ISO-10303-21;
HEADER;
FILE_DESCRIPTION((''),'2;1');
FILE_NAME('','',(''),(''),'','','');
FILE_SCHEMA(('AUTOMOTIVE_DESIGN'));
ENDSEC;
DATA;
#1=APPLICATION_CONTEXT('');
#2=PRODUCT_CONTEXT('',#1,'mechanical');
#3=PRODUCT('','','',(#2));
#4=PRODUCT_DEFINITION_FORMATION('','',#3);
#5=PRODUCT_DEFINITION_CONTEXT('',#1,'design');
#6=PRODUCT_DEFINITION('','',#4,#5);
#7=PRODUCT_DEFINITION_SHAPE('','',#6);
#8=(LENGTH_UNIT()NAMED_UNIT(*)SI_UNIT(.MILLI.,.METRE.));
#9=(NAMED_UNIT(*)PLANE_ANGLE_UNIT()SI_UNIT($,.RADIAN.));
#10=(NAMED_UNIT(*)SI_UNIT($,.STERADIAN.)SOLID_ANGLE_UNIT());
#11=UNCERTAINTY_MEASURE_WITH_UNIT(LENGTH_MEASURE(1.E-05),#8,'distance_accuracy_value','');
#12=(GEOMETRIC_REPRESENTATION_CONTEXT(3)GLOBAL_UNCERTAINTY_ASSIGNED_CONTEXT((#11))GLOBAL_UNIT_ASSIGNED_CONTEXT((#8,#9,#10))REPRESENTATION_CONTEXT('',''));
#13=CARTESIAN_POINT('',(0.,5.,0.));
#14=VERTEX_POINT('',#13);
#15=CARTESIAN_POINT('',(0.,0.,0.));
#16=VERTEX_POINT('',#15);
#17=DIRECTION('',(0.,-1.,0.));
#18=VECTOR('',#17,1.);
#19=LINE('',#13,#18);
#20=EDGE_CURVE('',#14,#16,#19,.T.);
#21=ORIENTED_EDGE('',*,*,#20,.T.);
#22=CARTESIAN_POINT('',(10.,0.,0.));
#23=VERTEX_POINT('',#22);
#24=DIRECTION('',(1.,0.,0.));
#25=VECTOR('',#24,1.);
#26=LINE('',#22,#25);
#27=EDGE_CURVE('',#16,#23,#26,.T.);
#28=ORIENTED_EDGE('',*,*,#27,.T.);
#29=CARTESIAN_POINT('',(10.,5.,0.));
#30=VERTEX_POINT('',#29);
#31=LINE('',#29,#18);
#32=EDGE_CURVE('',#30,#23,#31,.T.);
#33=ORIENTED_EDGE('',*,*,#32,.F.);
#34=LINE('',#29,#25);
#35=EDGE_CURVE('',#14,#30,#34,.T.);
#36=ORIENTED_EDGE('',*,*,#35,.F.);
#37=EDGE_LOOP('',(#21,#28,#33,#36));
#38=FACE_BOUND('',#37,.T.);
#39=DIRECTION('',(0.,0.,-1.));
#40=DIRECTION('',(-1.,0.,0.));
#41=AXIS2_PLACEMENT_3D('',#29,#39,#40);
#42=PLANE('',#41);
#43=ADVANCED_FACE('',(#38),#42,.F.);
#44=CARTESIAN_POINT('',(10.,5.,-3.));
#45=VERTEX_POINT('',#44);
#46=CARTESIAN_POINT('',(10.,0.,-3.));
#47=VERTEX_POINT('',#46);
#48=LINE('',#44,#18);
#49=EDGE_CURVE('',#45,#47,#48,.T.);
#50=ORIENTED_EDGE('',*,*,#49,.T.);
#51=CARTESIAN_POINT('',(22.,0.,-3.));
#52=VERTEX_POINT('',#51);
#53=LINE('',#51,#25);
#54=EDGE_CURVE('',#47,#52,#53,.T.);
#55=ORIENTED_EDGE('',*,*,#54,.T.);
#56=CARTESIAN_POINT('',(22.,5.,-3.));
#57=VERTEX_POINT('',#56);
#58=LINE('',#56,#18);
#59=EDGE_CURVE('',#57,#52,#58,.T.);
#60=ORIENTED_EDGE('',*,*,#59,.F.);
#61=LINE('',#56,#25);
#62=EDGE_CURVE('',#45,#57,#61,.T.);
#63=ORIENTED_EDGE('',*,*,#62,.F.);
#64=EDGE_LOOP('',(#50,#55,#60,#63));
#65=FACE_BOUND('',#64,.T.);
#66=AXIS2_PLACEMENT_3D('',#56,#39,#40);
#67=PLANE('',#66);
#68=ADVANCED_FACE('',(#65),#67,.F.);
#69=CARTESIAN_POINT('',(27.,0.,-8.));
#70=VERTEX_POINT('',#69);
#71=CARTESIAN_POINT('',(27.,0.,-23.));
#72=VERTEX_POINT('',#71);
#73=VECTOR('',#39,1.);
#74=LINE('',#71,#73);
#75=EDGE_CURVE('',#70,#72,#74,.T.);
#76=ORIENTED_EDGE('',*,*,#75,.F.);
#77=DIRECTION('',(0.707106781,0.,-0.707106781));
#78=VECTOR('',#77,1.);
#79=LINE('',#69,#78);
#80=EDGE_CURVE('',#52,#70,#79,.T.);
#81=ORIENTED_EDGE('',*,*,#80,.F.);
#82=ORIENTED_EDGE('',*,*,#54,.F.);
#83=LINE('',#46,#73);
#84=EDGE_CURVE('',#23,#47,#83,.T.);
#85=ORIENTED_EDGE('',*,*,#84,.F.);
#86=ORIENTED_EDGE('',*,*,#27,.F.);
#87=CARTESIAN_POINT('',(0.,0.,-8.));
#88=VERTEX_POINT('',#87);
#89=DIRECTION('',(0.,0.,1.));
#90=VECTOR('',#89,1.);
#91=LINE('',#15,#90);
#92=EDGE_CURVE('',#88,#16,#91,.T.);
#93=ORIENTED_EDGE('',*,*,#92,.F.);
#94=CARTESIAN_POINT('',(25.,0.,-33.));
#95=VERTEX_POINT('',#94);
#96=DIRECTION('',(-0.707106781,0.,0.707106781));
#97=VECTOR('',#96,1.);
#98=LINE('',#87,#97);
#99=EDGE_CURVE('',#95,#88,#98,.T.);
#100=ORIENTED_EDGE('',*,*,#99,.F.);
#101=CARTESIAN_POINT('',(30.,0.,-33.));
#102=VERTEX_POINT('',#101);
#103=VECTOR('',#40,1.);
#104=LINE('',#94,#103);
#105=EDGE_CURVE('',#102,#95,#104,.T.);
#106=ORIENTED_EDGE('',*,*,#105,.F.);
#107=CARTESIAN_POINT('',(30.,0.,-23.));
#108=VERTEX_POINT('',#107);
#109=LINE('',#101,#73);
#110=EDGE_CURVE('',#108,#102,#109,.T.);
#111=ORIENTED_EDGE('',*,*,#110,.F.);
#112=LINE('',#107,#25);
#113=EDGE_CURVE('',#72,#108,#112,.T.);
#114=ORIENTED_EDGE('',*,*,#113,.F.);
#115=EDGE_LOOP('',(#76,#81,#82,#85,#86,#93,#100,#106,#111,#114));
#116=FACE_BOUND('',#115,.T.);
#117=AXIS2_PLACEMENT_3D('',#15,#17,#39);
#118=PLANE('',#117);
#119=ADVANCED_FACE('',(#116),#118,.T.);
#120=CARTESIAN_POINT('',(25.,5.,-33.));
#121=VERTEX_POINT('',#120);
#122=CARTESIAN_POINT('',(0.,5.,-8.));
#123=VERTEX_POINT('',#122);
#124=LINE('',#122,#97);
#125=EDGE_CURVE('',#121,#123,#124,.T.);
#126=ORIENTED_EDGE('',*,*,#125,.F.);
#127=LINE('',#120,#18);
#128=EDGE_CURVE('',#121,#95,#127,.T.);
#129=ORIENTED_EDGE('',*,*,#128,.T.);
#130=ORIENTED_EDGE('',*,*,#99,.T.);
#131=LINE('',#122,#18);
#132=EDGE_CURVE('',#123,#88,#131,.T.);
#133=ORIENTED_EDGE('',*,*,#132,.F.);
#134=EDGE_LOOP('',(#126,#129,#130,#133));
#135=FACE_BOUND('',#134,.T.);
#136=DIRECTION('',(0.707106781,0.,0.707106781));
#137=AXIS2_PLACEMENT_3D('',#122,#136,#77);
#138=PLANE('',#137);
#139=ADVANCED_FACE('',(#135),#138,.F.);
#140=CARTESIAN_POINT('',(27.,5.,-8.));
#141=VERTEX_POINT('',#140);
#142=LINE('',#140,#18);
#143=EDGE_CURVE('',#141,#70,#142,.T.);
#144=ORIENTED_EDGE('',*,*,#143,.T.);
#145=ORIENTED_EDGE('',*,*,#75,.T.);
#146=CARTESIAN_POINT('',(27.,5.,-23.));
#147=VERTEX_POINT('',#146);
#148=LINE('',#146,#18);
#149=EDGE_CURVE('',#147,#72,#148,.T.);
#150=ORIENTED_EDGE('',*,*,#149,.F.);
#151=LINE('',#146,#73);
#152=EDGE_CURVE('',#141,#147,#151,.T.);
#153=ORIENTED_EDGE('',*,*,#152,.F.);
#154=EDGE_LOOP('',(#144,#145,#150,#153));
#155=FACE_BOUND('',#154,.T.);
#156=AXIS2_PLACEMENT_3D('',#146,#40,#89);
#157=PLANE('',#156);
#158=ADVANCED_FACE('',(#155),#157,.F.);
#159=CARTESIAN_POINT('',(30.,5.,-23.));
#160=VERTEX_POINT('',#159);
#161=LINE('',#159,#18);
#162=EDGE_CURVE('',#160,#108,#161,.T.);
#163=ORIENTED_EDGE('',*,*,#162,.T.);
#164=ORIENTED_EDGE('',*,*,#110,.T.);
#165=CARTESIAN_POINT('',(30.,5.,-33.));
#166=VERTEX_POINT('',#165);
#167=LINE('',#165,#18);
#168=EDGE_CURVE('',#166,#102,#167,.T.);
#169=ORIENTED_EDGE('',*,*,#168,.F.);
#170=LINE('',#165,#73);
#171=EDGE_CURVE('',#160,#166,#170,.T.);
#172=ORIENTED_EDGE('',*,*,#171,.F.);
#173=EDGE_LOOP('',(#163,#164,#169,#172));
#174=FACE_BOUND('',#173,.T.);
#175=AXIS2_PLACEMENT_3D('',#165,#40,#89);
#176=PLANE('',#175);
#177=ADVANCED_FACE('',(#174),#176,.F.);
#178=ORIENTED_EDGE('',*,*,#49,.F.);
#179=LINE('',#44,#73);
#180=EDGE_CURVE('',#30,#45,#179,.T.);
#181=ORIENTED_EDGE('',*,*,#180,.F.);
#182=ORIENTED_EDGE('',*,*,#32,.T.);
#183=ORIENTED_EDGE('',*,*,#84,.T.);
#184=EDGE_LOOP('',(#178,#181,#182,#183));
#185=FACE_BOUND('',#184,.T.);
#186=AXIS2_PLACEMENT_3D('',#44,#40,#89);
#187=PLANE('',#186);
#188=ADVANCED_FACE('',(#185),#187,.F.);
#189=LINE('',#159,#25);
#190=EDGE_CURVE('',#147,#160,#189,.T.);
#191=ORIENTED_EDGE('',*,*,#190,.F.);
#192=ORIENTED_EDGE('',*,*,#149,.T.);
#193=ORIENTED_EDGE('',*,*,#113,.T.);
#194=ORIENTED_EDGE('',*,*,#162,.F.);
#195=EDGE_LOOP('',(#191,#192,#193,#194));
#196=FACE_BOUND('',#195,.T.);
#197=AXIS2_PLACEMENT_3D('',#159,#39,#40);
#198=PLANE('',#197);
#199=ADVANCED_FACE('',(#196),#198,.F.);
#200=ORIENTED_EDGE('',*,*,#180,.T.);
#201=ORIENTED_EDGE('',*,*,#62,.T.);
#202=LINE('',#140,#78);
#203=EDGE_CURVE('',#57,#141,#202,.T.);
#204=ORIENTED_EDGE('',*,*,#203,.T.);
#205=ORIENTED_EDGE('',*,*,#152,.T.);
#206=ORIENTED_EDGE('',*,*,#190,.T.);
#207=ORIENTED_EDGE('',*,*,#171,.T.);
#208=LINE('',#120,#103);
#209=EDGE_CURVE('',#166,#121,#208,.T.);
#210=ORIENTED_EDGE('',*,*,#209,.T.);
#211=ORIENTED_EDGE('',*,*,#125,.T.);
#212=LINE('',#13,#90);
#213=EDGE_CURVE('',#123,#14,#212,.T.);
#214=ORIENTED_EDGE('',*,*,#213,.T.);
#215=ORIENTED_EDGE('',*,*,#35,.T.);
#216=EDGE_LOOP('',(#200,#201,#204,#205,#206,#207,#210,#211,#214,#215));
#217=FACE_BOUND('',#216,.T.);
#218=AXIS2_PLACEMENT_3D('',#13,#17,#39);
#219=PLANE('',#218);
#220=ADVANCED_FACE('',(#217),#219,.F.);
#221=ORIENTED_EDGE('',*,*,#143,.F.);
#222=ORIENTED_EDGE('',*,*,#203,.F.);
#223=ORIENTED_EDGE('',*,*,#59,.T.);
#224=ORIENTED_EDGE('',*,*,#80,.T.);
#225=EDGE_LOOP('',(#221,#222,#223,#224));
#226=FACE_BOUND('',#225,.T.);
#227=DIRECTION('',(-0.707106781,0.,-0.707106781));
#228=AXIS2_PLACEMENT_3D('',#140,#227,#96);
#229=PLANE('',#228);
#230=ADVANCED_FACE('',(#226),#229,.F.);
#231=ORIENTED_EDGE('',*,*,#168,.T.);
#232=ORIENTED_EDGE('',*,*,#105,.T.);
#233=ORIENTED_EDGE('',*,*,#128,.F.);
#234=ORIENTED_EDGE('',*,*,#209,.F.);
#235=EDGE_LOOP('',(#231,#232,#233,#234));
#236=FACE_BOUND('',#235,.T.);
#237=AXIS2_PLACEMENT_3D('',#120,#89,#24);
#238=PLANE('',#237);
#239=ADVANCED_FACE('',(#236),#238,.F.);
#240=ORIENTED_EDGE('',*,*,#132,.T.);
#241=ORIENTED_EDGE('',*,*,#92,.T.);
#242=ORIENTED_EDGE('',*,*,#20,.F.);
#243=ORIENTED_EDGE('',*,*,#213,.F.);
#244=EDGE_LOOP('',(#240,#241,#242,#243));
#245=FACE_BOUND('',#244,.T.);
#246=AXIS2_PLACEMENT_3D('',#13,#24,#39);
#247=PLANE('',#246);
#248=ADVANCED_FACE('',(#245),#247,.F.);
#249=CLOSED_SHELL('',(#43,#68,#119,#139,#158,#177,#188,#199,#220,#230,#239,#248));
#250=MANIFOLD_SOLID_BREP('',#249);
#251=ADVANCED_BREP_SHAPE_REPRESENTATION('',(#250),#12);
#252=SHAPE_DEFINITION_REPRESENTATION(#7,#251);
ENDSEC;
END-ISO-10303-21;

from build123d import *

# Parameters (mm, degrees)
BOSS_EXTRUDE1_DEPTH = 5


with BuildPart() as part:
    # Sketch1 → Boss-Extrude1 (new body)
    with BuildSketch(Plane(origin=(0, 0, 0), x_dir=(1, 0, 0), z_dir=(0, 1, 0))):
        Polygon((0, 0), (0, 8), (25, 33), (30, 33), (30, 23), (27, 23), (27, 8), (22, 3), (10, 3), (10, 0), align=None)
    extrude(amount=BOSS_EXTRUDE1_DEPTH)


solid = part.part
